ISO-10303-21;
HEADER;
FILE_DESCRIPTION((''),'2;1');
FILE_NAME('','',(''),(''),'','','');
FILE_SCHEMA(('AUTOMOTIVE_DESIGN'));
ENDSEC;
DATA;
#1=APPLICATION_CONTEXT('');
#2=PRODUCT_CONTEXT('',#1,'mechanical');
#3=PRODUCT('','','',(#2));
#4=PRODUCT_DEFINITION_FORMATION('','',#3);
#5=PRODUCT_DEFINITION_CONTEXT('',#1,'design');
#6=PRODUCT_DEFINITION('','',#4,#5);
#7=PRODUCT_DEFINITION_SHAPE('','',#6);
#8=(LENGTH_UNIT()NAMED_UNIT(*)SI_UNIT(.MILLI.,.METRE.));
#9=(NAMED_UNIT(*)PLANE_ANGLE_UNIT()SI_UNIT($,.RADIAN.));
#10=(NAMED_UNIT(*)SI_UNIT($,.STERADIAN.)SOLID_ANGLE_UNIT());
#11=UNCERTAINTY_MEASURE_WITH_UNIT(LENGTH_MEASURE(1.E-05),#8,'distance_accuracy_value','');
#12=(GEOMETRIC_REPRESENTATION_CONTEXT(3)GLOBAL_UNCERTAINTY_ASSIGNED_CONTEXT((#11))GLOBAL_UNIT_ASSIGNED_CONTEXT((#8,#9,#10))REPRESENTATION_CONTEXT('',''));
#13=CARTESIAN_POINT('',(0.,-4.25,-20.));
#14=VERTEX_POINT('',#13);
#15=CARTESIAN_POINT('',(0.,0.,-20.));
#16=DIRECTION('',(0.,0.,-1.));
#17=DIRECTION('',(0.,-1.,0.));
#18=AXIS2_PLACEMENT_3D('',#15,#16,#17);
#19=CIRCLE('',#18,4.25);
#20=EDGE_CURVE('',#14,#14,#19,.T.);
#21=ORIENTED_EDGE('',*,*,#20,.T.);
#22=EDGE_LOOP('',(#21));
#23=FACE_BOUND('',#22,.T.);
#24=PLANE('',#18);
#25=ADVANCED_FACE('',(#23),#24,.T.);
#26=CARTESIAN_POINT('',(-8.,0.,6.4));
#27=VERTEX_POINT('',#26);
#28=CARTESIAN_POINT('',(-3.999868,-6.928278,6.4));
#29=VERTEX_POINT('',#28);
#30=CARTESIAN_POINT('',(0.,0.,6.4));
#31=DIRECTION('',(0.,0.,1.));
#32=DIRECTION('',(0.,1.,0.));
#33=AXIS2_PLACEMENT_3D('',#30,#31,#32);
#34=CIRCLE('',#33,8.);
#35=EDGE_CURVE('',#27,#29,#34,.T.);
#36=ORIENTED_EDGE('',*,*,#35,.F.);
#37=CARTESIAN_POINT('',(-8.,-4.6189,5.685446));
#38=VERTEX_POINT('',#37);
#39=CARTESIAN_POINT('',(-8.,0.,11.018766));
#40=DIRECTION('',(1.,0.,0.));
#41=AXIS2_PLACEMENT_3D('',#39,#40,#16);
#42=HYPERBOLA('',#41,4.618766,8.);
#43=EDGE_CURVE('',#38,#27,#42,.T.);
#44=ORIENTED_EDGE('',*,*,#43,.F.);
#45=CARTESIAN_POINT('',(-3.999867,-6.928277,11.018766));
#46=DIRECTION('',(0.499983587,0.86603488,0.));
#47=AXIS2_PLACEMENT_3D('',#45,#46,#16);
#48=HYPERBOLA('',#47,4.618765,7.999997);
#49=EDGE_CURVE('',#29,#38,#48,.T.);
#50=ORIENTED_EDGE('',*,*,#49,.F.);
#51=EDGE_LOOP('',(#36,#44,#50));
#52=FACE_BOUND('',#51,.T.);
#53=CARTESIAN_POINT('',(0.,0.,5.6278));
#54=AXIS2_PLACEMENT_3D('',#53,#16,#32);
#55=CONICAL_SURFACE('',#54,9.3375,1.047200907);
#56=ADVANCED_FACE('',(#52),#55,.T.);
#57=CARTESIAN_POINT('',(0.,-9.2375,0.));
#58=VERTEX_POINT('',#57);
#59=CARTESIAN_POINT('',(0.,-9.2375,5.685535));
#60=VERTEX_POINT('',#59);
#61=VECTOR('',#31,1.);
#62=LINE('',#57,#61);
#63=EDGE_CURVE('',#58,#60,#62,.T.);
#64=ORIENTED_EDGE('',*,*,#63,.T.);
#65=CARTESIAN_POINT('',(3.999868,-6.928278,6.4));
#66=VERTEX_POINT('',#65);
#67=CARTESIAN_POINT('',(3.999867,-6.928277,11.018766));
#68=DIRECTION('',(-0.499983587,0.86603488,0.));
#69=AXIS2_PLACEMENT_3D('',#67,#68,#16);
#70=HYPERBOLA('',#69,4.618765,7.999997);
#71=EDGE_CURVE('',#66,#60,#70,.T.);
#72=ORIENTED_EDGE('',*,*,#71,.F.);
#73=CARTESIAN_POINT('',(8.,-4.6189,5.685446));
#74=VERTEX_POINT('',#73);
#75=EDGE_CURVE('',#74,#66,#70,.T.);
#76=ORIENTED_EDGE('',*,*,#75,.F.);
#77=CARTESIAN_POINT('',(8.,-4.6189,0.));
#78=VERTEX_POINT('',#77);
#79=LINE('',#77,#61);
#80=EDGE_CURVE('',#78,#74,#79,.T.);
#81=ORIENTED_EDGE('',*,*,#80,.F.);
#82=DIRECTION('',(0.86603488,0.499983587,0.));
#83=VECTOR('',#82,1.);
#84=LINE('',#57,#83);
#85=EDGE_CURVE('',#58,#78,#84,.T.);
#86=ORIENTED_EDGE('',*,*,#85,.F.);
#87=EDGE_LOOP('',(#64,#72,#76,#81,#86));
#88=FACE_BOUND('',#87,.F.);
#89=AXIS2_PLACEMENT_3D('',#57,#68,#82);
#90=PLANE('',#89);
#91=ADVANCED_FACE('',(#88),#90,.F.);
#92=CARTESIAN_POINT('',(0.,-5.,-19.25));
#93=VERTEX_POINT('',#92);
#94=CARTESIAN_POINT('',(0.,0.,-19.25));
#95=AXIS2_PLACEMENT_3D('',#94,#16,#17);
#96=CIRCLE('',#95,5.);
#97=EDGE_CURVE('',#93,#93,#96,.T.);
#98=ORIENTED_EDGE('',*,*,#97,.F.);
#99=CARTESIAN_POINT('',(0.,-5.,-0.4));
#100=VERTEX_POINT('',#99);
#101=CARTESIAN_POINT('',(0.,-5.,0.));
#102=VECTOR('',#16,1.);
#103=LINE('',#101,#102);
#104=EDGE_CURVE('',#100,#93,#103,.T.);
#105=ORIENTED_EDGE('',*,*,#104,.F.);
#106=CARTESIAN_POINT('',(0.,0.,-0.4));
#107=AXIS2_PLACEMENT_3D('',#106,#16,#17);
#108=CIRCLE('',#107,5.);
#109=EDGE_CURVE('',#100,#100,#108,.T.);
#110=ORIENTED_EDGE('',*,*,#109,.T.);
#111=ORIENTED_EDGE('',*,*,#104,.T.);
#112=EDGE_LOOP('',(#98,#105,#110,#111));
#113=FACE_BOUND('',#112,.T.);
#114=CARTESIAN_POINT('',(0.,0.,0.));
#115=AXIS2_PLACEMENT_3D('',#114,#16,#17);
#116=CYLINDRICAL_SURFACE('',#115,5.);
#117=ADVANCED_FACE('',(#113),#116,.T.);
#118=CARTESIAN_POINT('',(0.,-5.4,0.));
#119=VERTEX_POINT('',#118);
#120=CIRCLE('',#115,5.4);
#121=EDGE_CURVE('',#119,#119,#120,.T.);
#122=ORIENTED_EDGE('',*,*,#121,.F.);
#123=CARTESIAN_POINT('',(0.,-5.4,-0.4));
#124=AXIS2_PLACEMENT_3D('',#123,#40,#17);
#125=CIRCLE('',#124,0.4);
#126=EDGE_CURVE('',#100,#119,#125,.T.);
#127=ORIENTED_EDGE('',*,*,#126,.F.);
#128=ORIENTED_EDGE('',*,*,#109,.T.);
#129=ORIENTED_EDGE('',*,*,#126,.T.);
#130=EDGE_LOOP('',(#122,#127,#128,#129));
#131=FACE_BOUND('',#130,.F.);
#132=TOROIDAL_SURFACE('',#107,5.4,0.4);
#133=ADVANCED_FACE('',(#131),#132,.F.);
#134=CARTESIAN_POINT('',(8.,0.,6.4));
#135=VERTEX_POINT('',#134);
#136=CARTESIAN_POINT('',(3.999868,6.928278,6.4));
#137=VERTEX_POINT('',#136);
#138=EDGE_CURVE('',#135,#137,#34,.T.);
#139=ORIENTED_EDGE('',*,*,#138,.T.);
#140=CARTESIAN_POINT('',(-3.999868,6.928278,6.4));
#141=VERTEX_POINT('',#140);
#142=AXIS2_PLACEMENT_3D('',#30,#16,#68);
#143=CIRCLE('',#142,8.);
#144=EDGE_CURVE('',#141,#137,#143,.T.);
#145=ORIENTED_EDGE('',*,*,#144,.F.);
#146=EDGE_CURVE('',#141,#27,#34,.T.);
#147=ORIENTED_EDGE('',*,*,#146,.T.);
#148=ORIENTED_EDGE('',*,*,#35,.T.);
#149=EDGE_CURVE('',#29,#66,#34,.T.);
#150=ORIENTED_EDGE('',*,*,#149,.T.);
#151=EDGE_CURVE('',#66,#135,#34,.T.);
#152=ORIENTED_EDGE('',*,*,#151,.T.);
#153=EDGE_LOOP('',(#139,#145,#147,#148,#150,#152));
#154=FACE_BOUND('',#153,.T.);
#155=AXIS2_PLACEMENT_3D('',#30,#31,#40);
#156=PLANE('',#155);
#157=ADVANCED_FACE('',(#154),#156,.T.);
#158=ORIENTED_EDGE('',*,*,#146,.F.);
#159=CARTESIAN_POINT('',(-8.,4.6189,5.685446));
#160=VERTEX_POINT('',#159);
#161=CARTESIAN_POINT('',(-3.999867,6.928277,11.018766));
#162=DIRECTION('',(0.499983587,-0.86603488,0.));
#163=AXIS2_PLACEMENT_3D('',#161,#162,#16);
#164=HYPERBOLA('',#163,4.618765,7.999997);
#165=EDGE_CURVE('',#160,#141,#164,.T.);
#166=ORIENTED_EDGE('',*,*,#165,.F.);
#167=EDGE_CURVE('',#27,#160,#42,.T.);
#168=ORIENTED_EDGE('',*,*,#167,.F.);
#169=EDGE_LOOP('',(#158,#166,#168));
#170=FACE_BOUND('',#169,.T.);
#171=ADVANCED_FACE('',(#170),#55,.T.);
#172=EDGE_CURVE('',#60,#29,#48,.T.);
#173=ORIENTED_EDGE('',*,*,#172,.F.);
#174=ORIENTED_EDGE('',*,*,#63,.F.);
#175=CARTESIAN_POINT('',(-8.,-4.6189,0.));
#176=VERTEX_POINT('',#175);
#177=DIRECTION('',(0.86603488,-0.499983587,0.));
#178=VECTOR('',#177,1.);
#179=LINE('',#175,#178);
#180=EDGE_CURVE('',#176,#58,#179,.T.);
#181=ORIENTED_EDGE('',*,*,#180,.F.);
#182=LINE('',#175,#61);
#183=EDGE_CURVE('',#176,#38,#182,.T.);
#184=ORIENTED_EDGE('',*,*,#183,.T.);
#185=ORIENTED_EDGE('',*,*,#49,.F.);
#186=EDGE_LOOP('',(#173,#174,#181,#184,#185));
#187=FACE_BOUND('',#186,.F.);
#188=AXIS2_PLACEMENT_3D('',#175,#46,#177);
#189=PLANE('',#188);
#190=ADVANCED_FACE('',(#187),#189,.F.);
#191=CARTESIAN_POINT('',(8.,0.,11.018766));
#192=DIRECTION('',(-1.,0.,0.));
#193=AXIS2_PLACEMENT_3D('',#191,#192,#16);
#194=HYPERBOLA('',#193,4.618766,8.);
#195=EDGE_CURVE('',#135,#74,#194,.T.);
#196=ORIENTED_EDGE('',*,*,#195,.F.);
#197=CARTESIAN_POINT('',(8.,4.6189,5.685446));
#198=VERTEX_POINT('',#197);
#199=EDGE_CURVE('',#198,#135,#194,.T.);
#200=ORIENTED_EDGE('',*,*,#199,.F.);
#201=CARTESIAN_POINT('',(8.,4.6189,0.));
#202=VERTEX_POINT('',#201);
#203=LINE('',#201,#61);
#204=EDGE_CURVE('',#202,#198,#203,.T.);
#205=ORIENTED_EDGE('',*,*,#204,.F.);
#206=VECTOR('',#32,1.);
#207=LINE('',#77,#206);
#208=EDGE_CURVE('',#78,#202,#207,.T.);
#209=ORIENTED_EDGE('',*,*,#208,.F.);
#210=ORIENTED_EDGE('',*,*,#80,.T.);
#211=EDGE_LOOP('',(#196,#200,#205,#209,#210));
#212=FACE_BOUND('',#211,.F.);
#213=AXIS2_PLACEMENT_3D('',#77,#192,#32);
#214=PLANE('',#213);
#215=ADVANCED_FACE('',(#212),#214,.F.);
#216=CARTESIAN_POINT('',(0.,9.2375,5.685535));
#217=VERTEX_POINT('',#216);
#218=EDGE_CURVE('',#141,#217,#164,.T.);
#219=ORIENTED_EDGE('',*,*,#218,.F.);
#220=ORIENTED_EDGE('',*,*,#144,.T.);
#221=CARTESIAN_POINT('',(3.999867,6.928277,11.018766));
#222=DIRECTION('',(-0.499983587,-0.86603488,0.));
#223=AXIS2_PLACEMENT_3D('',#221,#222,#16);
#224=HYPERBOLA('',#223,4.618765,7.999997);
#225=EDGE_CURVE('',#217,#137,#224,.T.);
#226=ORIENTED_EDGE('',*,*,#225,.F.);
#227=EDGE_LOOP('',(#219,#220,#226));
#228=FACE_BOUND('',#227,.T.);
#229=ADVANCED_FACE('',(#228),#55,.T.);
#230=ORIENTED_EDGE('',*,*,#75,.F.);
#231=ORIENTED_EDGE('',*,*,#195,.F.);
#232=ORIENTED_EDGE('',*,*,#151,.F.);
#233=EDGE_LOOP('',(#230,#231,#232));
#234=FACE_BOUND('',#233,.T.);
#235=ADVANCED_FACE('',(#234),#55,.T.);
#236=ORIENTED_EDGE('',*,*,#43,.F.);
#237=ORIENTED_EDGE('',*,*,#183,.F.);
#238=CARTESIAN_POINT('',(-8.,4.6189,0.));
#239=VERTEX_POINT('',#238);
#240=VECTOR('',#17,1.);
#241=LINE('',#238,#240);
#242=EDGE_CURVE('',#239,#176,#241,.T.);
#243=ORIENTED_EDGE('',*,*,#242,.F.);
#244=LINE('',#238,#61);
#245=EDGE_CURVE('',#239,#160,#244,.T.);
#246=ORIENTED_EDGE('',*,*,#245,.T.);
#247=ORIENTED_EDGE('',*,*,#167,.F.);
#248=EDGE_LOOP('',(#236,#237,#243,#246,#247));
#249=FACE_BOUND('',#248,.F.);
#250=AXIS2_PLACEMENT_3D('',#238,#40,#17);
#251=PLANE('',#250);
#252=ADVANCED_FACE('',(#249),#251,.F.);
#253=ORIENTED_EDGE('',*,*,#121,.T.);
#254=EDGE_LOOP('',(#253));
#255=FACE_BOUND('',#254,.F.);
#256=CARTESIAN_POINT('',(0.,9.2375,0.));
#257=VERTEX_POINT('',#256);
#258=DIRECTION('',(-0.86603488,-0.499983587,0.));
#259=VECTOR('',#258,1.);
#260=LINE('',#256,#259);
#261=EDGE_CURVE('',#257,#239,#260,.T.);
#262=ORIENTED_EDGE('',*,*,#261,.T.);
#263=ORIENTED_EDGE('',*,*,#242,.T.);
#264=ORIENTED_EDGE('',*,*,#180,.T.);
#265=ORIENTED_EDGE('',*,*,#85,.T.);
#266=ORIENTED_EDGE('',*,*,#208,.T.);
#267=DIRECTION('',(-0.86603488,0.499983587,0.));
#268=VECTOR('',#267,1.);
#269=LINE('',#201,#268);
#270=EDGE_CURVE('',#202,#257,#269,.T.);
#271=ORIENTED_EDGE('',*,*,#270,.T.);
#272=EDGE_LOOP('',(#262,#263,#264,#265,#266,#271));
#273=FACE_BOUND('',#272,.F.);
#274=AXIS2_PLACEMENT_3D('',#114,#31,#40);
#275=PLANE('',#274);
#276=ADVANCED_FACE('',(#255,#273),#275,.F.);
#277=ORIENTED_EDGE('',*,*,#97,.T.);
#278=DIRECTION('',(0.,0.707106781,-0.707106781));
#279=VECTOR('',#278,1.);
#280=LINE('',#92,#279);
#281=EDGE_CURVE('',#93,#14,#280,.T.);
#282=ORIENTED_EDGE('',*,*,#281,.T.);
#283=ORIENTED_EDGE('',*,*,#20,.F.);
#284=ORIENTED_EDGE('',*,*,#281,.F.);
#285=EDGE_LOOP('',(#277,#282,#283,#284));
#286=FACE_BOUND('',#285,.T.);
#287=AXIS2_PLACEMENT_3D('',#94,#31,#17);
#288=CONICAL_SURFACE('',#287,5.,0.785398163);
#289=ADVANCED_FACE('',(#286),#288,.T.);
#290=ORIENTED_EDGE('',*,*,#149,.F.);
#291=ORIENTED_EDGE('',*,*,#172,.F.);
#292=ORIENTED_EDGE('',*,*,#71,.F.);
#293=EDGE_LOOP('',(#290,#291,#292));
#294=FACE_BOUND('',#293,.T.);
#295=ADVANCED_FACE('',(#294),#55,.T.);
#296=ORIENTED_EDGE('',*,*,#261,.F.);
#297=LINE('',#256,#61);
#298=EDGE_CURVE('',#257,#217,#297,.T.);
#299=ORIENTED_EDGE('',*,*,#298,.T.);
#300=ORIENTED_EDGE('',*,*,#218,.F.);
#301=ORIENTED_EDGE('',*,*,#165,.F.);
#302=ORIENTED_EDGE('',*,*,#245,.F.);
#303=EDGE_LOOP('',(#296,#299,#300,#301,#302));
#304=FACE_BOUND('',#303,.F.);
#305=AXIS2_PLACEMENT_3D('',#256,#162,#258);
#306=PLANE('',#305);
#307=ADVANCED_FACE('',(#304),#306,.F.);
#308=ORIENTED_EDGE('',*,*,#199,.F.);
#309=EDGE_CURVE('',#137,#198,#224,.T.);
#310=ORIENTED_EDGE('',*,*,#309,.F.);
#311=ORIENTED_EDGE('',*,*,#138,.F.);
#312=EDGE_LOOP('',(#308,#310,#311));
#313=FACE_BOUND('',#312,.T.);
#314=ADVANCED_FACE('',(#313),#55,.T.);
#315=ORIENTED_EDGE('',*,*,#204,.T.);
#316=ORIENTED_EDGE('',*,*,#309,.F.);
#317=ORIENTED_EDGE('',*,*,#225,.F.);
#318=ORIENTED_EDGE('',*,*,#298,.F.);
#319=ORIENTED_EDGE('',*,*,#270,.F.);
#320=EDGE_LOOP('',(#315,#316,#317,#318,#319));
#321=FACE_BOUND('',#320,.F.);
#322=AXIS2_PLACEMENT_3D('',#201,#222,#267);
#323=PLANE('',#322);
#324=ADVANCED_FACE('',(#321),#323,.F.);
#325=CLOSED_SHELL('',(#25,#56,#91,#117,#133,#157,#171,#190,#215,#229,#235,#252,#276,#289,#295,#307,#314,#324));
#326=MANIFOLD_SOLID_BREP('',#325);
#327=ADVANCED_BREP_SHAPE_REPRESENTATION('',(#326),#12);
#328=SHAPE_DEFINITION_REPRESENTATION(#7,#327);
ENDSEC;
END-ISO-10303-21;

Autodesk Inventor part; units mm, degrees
ref_plane "WorkPlane1" through (0, 0, 0) normal (0, 0, 1) x (1, 0, 0)
sketch "Sketch1" plane through (0, 0, 0) normal (0, 0, 1) x (1, 0, 0)
  point P0 (0, 0)
sketch "Sketch2" plane through (0, 0, 0) normal (0, 0, 1) x (1, 0, 0)
  line L0 (-8, 4.6189) -> (-8, -4.6189)
  line L1 (0, 9.2375) -> (-8, 4.6189)
  line L2 (8, 4.6189) -> (0, 9.2375)
  line L3 (8, -4.6189) -> (8, 4.6189)
  line L4 (0, -9.2375) -> (8, -4.6189)
  line L5 (-8, -4.6189) -> (0, -9.2375)
  circle A0 centre (0, 0) radius 8 construction
  dimension "d1" = 16
  dimension "d29" = 0
  dimension "d30" = 0
extrude "Extrusion1" add sketch "Sketch2" along normal blind 6.4
sketch "Sketch3" plane through (0, 0, 0) normal (1, 0, 0) x (0, 1, 0)
  line L0 (8, 6.4) -> (9.3375, 6.4)
  line L1 (9.3375, 5.6278) -> (8, 6.4)
  line L2 (9.3375, 6.4) -> (9.3375, 5.6278)
  line L3 (0, -1.28) -> (0, 7.68) projected
  line L4 (9.2375, 0) -> (9.2375, 6.4) projected
  dimension "d25" = 0.1
  dimension "d26" = 0
  dimension "d27" = 60
  dimension "d28" = 8
revolve "Revolution1" cut sketch "Sketch3" angle 360 about axis through (0, 0, -10) along (0, 0, 1)
sketch "Sketch4" plane through (0, 0, 0) normal (1, 0, 0) x (0, 1, 0)
  line L0 (0, -20) -> (0, 0)
  line L1 (-5, -20) -> (0, -20)
  line L2 (-5, 0) -> (-5, -20)
  line L3 (0, 0) -> (-5, 0)
  line L4 (0, -20) -> (0, 0)
  line L5 (-6, 0) -> (1, 0) projected
  line L6 (0, -24) -> (0, 4) projected
  dimension "d18" = 5
  dimension "d20" = 20
  dimension "d33" = 0
  dimension "d34" = 0
revolve "Revolution2" add sketch "Sketch4" angle 360 about axis through (0, 0, -20) along (0, 0, -1)
chamfer "Chamfer1" distance 0.75 angle 45 1 edges at (0, 5, -20)
fillet "Fillet1" radius 0.4 1 edges at (0, 5, 0)
thread "Thread1" size "M10x1.5" class "6g" standard "ISO Metric profile" length 17
ref_plane "MSC_PF1" through (0, 0, 0) normal (1, 0, 0) x (0, 1, 0)
ref_plane "MSC_PT1" through (0, 0, 0) normal (0, 0, -1) x (-1, 0, 0)
equation "\"d22\" = 0.5 * PTC"
equation "\"d23\" = 0.5 * PTC"
equation "\"d24\" = r"
equation "\"d1\" = ParS"
equation "\"d6\" = ParK"
equation "\"b\" = NLG - 2 * PTC"
equation "\"d28\" = 0.5 * ParS"
equation "\"d18\" = 0.5 * NND"
equation "\"d20\" = NLG"
equation "\"NLG\" = 20"
equation "\"PTC\" = 1.5"
equation "\"ParK\" = 6.4"
equation "\"ParS\" = 16"
equation "\"msp_es\" = 0.577367 * ParS"
equation "\"r\" = 0.4"
equation "\"NND\" = 10"
properties part number "ISO 4018 - M10 x 20" material "Steel"
